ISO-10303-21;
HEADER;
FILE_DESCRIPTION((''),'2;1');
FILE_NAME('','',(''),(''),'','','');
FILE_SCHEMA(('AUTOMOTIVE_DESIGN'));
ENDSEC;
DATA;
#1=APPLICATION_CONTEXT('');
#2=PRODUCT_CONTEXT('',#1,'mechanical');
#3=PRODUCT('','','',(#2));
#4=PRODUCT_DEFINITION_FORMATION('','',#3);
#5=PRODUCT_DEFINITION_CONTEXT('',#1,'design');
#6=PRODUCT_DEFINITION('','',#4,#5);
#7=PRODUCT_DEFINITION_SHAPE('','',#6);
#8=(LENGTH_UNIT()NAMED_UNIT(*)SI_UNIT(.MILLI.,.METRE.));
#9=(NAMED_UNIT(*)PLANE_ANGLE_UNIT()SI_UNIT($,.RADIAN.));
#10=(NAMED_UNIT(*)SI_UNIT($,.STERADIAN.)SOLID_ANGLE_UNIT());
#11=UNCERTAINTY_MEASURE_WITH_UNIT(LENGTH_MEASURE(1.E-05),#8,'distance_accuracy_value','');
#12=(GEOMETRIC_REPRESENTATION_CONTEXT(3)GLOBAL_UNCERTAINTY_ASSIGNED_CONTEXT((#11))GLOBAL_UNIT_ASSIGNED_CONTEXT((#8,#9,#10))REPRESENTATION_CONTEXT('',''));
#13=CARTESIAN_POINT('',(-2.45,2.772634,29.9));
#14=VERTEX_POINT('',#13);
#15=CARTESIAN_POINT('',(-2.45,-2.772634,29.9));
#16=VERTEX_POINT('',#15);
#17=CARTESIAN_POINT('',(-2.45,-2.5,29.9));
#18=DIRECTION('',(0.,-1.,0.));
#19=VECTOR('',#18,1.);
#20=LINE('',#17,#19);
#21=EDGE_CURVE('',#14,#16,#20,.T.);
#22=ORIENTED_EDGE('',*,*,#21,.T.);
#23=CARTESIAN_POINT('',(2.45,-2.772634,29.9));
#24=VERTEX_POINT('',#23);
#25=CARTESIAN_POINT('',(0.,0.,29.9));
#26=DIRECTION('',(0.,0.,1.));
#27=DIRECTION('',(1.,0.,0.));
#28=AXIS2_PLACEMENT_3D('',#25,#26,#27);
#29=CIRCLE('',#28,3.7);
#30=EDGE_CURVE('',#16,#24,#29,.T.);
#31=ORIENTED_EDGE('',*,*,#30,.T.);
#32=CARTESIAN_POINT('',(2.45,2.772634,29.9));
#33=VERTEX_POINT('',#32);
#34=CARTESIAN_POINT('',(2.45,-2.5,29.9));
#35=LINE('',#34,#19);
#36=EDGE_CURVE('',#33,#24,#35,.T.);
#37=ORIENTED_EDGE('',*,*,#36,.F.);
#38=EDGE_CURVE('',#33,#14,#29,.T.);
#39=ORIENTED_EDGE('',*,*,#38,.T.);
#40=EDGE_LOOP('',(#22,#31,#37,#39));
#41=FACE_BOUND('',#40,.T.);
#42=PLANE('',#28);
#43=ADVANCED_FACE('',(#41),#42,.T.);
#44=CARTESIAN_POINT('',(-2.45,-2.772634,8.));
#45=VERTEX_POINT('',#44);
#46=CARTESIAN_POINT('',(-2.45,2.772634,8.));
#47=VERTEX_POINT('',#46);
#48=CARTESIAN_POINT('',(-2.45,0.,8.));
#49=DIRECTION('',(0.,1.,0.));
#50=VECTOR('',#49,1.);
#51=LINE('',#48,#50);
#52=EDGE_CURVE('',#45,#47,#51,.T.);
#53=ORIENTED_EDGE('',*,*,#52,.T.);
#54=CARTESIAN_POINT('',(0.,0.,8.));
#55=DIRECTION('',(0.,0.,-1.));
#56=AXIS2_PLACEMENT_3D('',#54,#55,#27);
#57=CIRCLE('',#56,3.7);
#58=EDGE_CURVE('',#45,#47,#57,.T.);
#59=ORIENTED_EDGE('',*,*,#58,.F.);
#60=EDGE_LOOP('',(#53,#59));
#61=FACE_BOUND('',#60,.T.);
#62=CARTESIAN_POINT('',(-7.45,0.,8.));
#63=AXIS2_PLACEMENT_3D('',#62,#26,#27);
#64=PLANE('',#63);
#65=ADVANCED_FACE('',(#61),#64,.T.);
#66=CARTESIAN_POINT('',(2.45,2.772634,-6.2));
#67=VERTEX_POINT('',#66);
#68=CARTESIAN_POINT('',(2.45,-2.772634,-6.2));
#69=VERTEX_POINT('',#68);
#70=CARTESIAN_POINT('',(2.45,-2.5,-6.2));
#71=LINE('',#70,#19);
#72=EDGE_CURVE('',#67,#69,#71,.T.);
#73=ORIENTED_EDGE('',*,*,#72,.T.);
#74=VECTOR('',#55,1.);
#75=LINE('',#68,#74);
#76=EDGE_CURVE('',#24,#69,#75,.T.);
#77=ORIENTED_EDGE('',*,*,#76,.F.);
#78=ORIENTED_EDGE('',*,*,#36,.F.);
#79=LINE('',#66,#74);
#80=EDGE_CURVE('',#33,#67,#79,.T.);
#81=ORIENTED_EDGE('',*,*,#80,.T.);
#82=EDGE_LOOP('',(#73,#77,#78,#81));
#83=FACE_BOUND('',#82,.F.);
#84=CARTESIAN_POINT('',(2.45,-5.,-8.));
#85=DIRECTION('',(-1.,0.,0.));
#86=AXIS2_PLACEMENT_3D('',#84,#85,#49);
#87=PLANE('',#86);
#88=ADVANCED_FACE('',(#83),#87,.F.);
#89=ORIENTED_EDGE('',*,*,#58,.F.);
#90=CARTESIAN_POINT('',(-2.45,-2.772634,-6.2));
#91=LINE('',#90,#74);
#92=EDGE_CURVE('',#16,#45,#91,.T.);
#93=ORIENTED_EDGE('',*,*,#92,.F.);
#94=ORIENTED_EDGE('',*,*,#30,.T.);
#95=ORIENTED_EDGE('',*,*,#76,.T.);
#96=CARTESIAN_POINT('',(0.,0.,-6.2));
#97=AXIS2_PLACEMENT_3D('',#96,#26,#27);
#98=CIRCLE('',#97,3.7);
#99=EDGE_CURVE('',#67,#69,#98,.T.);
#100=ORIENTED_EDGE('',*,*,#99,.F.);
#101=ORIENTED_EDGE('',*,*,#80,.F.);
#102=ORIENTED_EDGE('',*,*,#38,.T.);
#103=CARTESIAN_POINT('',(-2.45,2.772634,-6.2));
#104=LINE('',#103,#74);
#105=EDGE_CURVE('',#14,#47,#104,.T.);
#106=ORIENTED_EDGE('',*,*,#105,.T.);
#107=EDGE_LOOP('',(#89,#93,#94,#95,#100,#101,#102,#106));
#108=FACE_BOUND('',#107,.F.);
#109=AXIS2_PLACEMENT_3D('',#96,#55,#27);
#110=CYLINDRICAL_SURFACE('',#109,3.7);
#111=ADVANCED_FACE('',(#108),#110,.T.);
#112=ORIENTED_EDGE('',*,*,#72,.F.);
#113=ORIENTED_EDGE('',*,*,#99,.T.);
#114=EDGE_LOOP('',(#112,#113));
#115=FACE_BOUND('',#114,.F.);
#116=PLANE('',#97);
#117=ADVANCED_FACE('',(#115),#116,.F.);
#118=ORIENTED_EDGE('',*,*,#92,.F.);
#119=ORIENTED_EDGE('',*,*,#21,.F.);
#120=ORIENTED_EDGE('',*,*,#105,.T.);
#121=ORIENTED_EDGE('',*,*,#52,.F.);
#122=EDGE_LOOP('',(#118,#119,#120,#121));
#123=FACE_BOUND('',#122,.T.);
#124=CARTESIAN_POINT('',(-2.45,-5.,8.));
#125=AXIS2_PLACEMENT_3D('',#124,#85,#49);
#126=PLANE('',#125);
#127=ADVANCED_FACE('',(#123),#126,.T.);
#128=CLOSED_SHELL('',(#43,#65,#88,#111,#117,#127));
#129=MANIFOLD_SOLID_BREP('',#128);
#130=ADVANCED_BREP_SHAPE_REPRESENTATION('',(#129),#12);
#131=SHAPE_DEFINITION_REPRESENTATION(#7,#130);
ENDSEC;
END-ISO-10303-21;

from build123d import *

# Parameters (mm, degrees)
BOX005_W          = 10
BOX005_H          = 10
BOX005_DEPTH      = 40
BOX004_W          = 10
BOX004_H          = 10
BOX004_DEPTH      = 40
CYLINDER011_R     = 3.7
CYLINDER011_DEPTH = 36.1


with BuildPart() as cube005:
    # Box005 → Box005 (new body)
    with BuildSketch(Plane(origin=(-1.85, -5, 5), x_dir=(1, 0, 0), z_dir=(0, 0, 1))):
        with Locations((5, 5)):
            Rectangle(BOX005_W, BOX005_H)
    extrude(amount=BOX005_DEPTH)


with BuildPart() as cube004:
    # Box004 → Box004 (new body)
    with BuildSketch(Plane(origin=(13.05, -5, -11), x_dir=(1, 0, 0), z_dir=(0, 0, 1))):
        with Locations((5, 5)):
            Rectangle(BOX004_W, BOX004_H)
    extrude(amount=BOX004_DEPTH)


with BuildPart() as drive:
    # Cylinder011 → Cylinder011 (new body)
    with BuildSketch(Plane(origin=(10.6, 0, -9.2), x_dir=(1, 0, 0), z_dir=(0, 0, 1))):
        Circle(CYLINDER011_R)
    extrude(amount=CYLINDER011_DEPTH)

    # Cut005: cut Cube004
    add(cube004.part, mode=Mode.SUBTRACT)

    # Cut006: cut Cube005
    add(cube005.part, mode=Mode.SUBTRACT)


with BuildPart() as drive_1:
    # Cut006 placement: moved
    add(drive.part.moved(Location((-10.6, 0, 3))))


solid = drive_1.part
